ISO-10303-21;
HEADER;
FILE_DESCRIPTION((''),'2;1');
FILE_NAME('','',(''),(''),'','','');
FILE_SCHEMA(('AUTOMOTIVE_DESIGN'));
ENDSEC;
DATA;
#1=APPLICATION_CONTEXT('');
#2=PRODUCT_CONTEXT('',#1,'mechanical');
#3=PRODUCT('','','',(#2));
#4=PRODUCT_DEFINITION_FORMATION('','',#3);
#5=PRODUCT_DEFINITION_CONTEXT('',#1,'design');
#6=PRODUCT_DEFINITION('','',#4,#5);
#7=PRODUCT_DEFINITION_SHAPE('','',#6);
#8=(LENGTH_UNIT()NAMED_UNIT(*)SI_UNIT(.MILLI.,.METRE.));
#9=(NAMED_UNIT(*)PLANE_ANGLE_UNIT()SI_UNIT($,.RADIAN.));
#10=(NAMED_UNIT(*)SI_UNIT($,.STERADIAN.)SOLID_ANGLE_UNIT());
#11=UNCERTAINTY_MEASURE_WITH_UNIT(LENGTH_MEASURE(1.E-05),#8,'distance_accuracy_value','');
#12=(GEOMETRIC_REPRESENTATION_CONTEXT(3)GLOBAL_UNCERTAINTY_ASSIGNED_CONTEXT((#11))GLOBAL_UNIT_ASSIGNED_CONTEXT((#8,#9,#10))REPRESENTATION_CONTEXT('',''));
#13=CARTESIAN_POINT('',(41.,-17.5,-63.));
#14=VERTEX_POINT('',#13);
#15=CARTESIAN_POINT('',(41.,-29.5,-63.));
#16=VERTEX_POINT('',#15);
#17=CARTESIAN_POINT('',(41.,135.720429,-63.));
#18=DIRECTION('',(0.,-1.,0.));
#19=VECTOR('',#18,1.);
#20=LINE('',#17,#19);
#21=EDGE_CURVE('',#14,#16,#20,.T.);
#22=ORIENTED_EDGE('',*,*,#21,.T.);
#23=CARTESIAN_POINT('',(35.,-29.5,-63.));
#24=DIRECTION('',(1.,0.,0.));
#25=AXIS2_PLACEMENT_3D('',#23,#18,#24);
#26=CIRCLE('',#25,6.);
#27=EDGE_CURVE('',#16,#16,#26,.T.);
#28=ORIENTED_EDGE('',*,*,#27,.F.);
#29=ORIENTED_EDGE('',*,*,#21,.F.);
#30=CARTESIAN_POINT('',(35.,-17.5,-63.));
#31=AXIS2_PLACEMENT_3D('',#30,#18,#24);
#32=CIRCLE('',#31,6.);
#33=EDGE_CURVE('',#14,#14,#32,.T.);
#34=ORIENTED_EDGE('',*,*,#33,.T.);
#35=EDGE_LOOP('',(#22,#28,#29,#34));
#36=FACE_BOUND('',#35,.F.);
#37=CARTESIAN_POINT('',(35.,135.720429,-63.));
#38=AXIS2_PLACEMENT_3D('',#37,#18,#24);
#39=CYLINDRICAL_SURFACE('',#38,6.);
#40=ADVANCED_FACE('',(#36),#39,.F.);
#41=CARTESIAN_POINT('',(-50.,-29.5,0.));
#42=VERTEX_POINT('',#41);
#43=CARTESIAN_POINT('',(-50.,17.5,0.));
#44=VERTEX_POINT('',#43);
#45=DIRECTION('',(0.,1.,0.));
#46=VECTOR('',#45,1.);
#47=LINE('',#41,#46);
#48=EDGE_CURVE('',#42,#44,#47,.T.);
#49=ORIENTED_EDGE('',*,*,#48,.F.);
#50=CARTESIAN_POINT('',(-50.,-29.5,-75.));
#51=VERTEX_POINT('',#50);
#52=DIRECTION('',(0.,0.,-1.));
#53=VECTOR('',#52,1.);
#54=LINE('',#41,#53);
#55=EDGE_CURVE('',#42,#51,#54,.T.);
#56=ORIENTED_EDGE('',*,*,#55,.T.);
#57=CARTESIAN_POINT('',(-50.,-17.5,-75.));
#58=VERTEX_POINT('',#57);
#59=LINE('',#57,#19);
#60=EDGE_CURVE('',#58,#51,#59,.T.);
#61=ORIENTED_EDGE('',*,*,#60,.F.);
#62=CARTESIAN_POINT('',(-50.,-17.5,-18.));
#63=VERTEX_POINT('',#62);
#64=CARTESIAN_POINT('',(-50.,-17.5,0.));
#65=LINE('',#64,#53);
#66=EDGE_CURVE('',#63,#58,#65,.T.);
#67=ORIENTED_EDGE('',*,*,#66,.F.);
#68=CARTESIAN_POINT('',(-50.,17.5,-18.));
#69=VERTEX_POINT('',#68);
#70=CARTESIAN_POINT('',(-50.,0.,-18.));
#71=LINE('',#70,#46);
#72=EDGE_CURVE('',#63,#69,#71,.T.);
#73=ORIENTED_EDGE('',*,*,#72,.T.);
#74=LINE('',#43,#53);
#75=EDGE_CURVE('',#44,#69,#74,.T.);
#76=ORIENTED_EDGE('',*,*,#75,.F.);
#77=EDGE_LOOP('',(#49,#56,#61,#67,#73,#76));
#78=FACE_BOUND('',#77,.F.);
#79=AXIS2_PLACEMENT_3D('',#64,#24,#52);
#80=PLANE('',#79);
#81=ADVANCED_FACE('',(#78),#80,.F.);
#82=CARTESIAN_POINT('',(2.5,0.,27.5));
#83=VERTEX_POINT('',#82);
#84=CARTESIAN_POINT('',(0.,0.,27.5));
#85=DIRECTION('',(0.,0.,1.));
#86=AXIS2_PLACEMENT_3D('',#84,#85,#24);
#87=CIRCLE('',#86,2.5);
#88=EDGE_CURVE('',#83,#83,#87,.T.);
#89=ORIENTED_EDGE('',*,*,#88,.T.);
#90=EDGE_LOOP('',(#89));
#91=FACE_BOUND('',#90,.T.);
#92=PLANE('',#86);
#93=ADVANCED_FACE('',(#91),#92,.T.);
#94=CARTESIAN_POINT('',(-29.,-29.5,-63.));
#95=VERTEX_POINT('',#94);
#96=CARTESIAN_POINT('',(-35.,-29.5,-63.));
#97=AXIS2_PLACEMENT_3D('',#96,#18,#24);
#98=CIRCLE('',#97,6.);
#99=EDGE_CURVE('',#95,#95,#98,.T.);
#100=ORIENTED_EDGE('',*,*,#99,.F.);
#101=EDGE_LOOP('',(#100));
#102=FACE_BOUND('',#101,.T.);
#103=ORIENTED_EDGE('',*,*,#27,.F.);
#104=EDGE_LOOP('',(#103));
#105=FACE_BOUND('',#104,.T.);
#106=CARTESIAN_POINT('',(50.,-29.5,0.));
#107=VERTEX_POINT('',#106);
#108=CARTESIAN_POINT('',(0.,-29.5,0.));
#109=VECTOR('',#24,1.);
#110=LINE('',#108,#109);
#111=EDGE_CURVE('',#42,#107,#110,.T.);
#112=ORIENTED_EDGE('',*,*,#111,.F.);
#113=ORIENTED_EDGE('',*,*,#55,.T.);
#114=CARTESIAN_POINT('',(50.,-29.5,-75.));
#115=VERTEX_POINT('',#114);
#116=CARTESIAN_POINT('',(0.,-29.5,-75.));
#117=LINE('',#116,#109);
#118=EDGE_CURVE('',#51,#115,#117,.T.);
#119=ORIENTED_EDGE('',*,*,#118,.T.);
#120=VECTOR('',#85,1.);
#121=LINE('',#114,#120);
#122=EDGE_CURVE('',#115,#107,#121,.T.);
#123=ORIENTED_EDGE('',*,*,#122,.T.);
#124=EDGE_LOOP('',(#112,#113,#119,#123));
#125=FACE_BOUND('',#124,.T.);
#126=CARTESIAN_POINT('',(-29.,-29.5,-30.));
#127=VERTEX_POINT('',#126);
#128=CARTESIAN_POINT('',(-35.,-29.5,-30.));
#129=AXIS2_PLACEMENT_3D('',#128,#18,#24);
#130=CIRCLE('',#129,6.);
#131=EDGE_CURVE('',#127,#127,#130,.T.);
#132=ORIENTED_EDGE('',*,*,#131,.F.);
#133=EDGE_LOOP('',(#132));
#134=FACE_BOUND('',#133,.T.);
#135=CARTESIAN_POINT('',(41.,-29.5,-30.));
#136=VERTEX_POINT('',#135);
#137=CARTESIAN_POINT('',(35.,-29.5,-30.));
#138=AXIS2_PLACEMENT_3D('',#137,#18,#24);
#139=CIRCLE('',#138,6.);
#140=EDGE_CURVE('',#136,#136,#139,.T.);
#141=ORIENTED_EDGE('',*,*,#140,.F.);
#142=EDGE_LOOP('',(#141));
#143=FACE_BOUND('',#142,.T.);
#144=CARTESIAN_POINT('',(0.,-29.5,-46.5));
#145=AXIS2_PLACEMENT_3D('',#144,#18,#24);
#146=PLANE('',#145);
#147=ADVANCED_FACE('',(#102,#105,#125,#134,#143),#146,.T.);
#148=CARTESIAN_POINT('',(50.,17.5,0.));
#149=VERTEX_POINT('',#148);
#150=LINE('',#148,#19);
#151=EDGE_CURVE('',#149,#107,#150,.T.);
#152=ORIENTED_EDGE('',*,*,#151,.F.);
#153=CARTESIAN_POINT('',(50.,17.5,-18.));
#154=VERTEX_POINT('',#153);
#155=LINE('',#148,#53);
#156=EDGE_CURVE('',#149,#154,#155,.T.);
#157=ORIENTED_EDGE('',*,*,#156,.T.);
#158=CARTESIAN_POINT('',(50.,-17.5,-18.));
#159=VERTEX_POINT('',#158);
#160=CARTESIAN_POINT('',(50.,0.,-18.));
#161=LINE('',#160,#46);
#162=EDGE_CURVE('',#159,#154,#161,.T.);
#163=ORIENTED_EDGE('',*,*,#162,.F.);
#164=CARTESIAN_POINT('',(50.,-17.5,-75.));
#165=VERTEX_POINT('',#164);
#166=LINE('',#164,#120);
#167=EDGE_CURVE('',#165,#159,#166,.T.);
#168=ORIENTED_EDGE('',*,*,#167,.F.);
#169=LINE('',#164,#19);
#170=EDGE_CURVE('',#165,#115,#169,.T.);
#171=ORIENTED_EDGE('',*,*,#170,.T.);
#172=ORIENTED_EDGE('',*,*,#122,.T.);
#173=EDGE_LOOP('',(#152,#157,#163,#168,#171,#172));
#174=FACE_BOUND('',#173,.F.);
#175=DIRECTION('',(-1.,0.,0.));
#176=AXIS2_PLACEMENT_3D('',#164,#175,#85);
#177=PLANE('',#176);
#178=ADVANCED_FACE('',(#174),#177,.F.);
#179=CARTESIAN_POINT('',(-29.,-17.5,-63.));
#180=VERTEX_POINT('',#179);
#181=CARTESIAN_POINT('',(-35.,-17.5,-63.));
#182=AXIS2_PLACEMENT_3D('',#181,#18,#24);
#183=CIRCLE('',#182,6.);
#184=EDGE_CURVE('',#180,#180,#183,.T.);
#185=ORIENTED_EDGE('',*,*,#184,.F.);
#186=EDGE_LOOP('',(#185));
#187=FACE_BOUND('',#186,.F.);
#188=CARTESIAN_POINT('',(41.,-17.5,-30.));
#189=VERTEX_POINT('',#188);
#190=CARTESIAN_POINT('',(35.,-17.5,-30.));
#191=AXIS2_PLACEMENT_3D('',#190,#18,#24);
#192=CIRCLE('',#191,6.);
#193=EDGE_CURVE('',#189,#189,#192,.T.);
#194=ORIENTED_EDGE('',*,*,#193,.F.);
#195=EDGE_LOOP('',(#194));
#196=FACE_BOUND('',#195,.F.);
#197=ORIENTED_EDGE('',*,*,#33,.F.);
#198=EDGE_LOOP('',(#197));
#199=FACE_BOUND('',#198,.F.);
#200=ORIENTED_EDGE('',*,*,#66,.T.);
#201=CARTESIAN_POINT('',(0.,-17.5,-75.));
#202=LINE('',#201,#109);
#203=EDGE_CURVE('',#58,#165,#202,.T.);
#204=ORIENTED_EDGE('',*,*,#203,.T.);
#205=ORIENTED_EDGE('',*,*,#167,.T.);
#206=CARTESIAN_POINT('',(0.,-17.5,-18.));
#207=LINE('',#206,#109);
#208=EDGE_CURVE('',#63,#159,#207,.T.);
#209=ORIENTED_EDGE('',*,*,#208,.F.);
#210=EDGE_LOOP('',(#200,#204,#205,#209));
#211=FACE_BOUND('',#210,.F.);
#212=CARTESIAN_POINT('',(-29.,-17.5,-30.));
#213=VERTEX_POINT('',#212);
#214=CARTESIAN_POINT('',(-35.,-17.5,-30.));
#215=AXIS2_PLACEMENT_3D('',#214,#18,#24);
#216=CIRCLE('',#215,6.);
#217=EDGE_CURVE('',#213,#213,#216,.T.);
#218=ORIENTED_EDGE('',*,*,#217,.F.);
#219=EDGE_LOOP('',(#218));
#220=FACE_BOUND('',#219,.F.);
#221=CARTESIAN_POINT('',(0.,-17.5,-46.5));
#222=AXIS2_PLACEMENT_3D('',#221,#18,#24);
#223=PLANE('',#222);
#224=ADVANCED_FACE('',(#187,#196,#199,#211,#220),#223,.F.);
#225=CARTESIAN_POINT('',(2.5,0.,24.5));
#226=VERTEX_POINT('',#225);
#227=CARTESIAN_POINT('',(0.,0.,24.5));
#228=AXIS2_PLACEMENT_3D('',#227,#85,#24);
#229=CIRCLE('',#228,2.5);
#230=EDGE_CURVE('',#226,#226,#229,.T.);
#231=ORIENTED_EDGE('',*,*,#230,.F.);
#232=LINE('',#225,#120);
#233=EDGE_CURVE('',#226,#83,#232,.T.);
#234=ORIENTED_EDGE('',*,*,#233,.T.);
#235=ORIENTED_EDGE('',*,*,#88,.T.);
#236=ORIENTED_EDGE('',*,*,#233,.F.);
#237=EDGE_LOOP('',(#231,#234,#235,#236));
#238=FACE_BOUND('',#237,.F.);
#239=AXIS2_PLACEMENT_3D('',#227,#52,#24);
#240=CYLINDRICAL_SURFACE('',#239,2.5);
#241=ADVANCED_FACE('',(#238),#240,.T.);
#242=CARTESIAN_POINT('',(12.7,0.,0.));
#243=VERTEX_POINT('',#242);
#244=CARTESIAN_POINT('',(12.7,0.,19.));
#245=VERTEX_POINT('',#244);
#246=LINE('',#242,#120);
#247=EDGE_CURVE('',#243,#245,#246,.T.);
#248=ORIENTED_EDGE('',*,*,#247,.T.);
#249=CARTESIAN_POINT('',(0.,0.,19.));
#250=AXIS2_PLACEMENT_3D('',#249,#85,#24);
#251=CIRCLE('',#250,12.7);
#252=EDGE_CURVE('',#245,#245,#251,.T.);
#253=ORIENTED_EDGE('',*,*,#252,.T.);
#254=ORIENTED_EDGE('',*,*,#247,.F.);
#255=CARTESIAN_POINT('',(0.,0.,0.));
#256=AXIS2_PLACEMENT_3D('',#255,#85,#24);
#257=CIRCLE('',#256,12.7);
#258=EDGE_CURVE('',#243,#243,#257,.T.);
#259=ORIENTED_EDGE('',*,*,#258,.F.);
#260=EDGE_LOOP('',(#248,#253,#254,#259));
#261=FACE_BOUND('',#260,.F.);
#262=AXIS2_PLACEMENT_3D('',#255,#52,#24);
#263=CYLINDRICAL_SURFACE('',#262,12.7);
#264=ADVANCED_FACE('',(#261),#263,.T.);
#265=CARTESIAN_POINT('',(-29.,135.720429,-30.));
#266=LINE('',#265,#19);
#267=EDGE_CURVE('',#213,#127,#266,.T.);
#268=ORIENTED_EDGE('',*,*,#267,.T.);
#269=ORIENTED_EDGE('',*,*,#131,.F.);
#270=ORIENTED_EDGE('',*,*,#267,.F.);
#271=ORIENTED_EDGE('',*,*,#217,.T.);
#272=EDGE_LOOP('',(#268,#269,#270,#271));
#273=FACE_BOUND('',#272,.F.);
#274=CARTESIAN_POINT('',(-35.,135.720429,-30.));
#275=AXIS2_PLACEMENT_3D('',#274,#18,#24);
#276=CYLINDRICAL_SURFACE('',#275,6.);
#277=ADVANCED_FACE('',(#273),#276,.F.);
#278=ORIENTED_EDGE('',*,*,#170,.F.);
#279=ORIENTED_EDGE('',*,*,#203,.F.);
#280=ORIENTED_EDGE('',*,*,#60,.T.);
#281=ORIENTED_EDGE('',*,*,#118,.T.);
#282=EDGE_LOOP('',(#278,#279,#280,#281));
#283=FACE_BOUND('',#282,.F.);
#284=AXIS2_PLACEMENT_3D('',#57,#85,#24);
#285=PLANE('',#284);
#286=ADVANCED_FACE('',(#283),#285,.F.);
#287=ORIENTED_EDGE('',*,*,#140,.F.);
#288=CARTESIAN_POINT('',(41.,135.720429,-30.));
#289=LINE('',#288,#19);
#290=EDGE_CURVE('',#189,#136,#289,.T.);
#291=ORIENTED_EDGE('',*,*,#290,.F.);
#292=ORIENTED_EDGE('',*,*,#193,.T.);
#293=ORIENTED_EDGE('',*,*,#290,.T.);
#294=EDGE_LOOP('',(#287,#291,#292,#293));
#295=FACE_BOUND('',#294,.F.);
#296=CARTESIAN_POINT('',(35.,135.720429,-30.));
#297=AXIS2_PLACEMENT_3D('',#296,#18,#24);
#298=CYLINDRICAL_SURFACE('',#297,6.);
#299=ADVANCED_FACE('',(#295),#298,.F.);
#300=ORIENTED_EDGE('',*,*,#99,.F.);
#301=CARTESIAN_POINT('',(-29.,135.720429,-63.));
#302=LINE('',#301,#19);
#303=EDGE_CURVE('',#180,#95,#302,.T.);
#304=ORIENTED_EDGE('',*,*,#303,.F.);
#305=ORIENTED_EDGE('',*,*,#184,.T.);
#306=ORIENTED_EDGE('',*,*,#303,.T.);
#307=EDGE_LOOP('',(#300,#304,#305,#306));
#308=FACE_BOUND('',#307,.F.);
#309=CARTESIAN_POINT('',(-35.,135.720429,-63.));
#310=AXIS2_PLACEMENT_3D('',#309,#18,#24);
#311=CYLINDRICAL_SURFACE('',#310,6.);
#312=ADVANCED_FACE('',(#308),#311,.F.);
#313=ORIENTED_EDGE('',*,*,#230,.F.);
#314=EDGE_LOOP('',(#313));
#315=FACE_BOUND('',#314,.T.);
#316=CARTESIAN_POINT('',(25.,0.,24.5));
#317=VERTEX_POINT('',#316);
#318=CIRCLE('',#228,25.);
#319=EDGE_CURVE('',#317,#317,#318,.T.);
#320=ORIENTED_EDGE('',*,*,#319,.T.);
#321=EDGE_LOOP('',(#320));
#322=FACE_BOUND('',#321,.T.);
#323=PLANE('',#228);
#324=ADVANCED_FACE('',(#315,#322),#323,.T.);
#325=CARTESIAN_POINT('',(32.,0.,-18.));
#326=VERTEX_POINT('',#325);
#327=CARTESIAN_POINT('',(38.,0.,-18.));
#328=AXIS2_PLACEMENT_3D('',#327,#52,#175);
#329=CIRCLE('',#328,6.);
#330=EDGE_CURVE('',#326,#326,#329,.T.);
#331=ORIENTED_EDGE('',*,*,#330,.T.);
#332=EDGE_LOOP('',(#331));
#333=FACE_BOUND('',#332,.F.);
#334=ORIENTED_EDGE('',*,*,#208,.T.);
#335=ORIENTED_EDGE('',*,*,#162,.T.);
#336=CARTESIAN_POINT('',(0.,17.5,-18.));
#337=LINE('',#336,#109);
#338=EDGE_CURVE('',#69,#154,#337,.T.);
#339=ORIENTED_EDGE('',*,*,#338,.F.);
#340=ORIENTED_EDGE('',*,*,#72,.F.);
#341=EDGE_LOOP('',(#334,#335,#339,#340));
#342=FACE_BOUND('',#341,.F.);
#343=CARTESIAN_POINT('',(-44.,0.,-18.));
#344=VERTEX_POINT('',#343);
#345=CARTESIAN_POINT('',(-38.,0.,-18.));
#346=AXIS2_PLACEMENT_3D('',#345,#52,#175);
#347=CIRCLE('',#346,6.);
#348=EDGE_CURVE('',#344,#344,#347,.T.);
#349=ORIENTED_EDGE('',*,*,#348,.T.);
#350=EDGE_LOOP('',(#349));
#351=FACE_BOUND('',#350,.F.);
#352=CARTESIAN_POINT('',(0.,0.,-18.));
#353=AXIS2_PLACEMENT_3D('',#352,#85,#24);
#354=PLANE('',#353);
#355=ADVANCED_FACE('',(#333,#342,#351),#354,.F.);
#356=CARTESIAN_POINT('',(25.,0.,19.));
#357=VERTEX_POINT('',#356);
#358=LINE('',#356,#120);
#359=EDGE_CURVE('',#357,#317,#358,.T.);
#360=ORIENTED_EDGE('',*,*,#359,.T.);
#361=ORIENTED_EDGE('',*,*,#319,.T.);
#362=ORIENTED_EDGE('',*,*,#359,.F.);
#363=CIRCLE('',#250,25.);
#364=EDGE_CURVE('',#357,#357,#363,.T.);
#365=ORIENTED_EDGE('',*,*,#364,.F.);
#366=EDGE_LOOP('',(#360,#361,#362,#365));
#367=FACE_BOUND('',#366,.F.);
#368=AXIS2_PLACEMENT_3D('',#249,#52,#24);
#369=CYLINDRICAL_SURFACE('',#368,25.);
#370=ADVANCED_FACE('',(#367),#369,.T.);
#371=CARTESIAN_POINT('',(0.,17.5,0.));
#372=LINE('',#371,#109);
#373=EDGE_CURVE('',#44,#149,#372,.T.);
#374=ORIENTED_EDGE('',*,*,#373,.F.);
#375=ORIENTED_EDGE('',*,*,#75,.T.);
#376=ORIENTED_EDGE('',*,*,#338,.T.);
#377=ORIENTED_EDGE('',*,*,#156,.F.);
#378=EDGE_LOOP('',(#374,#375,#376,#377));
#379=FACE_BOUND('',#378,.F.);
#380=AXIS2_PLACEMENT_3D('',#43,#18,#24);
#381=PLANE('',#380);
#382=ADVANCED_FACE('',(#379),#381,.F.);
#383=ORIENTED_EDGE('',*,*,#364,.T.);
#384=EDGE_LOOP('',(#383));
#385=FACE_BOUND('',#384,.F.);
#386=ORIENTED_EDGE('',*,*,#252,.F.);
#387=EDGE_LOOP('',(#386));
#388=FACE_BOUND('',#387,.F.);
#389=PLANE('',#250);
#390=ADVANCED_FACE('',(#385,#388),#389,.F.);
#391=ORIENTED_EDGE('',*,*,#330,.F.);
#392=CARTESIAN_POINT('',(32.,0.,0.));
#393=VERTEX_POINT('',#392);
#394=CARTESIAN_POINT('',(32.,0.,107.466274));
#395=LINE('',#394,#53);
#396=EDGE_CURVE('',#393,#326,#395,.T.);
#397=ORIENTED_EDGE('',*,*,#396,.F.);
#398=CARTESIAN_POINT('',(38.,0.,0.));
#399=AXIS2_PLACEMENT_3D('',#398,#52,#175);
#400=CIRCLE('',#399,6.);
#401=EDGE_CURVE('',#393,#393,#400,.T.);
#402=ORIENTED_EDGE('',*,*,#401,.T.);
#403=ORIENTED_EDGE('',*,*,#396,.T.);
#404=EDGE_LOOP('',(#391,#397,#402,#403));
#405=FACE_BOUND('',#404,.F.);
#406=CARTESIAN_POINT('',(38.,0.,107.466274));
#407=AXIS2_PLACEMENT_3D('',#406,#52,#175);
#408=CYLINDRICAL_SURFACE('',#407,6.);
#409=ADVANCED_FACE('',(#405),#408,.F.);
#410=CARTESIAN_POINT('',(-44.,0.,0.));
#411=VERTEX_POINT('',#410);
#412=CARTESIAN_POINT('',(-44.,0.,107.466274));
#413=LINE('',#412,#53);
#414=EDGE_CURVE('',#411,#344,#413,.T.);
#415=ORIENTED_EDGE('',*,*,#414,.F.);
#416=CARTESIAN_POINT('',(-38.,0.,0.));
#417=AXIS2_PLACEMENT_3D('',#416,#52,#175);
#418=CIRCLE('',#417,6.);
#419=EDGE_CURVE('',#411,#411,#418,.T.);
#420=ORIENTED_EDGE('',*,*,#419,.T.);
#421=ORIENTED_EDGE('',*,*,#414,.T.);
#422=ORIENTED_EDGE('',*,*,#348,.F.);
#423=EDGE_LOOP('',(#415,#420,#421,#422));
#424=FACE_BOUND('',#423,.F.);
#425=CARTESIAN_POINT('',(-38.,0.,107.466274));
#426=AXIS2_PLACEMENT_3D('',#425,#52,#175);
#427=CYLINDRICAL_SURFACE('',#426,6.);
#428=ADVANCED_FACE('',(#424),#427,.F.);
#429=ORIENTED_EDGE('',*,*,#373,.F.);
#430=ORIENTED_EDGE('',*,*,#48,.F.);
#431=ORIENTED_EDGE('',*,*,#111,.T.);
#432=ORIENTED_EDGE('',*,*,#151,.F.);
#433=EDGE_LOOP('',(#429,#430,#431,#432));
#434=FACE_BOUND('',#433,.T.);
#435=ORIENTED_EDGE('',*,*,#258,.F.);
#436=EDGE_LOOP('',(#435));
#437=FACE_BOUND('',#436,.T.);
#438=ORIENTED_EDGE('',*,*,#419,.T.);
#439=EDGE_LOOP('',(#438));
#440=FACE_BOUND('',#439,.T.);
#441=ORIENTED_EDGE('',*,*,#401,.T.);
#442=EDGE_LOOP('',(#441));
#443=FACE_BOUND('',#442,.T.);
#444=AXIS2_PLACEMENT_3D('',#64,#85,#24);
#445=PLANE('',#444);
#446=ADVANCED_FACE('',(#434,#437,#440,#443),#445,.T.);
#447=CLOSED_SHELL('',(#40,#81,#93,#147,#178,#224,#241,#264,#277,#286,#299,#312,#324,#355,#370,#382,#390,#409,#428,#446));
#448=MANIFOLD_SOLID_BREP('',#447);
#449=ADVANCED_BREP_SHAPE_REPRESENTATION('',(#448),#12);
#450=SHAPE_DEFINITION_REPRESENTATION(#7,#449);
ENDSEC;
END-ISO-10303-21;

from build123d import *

# Parameters (mm, degrees)
F0_W      = 100
F0_H      = 35
F1_DEPTH  = 18
F3_D      = 12
F4_R      = 12.7
F5_DEPTH  = 19
F6_R      = 25
F6_R_2    = 12.7
F7_DEPTH  = 5.5
F8_R      = 2.5
F9_DEPTH  = 3
F10_W     = 100
F10_H     = 57
F10_H_2   = 18
F11_DEPTH = 12
F13_D     = 12


with BuildPart() as f1:
    # F0 (on Top) → F1 (new body)
    with BuildSketch(Plane.XY):
        Rectangle(F0_W, F0_H)
    extrude(amount=-F1_DEPTH)

    # F3 (through all)
    with Locations(Plane.XY):
        with Locations((-38, 0), (38, 0)):
            Hole(F3_D / 2)

    # F4 (on face) → F5 (join)
    with BuildSketch(Plane.XY):
        Circle(F4_R)
    extrude(amount=F5_DEPTH)

    # F6 (on face) → F7 (join)
    with BuildSketch(Plane.XY.offset(19)):
        Circle(F6_R)
        Circle(F6_R_2, mode=Mode.SUBTRACT)
        Circle(F6_R_2)
    extrude(amount=F7_DEPTH)

    # F8 (on face) → F9 (join)
    with BuildSketch(Plane.XY.offset(24.5)):
        Circle(F8_R)
    extrude(amount=F9_DEPTH)

    # F10 (on face) → F11 (join)
    with BuildSketch(Plane.XZ.offset(17.5)):
        with Locations((0, -46.5)):
            Rectangle(F10_W, F10_H)
        with Locations((0, -9)):
            Rectangle(F10_W, F10_H_2)
    extrude(amount=F11_DEPTH)

    # F13 (through all)
    with Locations(Plane(origin=(0, -17.5, 0), x_dir=(-1, 0, 0), z_dir=(0, 1, 0))):
        with Locations((-35, -30), (-35, -63), (35, -63), (35, -30)):
            Hole(F13_D / 2)


solid = f1.part
